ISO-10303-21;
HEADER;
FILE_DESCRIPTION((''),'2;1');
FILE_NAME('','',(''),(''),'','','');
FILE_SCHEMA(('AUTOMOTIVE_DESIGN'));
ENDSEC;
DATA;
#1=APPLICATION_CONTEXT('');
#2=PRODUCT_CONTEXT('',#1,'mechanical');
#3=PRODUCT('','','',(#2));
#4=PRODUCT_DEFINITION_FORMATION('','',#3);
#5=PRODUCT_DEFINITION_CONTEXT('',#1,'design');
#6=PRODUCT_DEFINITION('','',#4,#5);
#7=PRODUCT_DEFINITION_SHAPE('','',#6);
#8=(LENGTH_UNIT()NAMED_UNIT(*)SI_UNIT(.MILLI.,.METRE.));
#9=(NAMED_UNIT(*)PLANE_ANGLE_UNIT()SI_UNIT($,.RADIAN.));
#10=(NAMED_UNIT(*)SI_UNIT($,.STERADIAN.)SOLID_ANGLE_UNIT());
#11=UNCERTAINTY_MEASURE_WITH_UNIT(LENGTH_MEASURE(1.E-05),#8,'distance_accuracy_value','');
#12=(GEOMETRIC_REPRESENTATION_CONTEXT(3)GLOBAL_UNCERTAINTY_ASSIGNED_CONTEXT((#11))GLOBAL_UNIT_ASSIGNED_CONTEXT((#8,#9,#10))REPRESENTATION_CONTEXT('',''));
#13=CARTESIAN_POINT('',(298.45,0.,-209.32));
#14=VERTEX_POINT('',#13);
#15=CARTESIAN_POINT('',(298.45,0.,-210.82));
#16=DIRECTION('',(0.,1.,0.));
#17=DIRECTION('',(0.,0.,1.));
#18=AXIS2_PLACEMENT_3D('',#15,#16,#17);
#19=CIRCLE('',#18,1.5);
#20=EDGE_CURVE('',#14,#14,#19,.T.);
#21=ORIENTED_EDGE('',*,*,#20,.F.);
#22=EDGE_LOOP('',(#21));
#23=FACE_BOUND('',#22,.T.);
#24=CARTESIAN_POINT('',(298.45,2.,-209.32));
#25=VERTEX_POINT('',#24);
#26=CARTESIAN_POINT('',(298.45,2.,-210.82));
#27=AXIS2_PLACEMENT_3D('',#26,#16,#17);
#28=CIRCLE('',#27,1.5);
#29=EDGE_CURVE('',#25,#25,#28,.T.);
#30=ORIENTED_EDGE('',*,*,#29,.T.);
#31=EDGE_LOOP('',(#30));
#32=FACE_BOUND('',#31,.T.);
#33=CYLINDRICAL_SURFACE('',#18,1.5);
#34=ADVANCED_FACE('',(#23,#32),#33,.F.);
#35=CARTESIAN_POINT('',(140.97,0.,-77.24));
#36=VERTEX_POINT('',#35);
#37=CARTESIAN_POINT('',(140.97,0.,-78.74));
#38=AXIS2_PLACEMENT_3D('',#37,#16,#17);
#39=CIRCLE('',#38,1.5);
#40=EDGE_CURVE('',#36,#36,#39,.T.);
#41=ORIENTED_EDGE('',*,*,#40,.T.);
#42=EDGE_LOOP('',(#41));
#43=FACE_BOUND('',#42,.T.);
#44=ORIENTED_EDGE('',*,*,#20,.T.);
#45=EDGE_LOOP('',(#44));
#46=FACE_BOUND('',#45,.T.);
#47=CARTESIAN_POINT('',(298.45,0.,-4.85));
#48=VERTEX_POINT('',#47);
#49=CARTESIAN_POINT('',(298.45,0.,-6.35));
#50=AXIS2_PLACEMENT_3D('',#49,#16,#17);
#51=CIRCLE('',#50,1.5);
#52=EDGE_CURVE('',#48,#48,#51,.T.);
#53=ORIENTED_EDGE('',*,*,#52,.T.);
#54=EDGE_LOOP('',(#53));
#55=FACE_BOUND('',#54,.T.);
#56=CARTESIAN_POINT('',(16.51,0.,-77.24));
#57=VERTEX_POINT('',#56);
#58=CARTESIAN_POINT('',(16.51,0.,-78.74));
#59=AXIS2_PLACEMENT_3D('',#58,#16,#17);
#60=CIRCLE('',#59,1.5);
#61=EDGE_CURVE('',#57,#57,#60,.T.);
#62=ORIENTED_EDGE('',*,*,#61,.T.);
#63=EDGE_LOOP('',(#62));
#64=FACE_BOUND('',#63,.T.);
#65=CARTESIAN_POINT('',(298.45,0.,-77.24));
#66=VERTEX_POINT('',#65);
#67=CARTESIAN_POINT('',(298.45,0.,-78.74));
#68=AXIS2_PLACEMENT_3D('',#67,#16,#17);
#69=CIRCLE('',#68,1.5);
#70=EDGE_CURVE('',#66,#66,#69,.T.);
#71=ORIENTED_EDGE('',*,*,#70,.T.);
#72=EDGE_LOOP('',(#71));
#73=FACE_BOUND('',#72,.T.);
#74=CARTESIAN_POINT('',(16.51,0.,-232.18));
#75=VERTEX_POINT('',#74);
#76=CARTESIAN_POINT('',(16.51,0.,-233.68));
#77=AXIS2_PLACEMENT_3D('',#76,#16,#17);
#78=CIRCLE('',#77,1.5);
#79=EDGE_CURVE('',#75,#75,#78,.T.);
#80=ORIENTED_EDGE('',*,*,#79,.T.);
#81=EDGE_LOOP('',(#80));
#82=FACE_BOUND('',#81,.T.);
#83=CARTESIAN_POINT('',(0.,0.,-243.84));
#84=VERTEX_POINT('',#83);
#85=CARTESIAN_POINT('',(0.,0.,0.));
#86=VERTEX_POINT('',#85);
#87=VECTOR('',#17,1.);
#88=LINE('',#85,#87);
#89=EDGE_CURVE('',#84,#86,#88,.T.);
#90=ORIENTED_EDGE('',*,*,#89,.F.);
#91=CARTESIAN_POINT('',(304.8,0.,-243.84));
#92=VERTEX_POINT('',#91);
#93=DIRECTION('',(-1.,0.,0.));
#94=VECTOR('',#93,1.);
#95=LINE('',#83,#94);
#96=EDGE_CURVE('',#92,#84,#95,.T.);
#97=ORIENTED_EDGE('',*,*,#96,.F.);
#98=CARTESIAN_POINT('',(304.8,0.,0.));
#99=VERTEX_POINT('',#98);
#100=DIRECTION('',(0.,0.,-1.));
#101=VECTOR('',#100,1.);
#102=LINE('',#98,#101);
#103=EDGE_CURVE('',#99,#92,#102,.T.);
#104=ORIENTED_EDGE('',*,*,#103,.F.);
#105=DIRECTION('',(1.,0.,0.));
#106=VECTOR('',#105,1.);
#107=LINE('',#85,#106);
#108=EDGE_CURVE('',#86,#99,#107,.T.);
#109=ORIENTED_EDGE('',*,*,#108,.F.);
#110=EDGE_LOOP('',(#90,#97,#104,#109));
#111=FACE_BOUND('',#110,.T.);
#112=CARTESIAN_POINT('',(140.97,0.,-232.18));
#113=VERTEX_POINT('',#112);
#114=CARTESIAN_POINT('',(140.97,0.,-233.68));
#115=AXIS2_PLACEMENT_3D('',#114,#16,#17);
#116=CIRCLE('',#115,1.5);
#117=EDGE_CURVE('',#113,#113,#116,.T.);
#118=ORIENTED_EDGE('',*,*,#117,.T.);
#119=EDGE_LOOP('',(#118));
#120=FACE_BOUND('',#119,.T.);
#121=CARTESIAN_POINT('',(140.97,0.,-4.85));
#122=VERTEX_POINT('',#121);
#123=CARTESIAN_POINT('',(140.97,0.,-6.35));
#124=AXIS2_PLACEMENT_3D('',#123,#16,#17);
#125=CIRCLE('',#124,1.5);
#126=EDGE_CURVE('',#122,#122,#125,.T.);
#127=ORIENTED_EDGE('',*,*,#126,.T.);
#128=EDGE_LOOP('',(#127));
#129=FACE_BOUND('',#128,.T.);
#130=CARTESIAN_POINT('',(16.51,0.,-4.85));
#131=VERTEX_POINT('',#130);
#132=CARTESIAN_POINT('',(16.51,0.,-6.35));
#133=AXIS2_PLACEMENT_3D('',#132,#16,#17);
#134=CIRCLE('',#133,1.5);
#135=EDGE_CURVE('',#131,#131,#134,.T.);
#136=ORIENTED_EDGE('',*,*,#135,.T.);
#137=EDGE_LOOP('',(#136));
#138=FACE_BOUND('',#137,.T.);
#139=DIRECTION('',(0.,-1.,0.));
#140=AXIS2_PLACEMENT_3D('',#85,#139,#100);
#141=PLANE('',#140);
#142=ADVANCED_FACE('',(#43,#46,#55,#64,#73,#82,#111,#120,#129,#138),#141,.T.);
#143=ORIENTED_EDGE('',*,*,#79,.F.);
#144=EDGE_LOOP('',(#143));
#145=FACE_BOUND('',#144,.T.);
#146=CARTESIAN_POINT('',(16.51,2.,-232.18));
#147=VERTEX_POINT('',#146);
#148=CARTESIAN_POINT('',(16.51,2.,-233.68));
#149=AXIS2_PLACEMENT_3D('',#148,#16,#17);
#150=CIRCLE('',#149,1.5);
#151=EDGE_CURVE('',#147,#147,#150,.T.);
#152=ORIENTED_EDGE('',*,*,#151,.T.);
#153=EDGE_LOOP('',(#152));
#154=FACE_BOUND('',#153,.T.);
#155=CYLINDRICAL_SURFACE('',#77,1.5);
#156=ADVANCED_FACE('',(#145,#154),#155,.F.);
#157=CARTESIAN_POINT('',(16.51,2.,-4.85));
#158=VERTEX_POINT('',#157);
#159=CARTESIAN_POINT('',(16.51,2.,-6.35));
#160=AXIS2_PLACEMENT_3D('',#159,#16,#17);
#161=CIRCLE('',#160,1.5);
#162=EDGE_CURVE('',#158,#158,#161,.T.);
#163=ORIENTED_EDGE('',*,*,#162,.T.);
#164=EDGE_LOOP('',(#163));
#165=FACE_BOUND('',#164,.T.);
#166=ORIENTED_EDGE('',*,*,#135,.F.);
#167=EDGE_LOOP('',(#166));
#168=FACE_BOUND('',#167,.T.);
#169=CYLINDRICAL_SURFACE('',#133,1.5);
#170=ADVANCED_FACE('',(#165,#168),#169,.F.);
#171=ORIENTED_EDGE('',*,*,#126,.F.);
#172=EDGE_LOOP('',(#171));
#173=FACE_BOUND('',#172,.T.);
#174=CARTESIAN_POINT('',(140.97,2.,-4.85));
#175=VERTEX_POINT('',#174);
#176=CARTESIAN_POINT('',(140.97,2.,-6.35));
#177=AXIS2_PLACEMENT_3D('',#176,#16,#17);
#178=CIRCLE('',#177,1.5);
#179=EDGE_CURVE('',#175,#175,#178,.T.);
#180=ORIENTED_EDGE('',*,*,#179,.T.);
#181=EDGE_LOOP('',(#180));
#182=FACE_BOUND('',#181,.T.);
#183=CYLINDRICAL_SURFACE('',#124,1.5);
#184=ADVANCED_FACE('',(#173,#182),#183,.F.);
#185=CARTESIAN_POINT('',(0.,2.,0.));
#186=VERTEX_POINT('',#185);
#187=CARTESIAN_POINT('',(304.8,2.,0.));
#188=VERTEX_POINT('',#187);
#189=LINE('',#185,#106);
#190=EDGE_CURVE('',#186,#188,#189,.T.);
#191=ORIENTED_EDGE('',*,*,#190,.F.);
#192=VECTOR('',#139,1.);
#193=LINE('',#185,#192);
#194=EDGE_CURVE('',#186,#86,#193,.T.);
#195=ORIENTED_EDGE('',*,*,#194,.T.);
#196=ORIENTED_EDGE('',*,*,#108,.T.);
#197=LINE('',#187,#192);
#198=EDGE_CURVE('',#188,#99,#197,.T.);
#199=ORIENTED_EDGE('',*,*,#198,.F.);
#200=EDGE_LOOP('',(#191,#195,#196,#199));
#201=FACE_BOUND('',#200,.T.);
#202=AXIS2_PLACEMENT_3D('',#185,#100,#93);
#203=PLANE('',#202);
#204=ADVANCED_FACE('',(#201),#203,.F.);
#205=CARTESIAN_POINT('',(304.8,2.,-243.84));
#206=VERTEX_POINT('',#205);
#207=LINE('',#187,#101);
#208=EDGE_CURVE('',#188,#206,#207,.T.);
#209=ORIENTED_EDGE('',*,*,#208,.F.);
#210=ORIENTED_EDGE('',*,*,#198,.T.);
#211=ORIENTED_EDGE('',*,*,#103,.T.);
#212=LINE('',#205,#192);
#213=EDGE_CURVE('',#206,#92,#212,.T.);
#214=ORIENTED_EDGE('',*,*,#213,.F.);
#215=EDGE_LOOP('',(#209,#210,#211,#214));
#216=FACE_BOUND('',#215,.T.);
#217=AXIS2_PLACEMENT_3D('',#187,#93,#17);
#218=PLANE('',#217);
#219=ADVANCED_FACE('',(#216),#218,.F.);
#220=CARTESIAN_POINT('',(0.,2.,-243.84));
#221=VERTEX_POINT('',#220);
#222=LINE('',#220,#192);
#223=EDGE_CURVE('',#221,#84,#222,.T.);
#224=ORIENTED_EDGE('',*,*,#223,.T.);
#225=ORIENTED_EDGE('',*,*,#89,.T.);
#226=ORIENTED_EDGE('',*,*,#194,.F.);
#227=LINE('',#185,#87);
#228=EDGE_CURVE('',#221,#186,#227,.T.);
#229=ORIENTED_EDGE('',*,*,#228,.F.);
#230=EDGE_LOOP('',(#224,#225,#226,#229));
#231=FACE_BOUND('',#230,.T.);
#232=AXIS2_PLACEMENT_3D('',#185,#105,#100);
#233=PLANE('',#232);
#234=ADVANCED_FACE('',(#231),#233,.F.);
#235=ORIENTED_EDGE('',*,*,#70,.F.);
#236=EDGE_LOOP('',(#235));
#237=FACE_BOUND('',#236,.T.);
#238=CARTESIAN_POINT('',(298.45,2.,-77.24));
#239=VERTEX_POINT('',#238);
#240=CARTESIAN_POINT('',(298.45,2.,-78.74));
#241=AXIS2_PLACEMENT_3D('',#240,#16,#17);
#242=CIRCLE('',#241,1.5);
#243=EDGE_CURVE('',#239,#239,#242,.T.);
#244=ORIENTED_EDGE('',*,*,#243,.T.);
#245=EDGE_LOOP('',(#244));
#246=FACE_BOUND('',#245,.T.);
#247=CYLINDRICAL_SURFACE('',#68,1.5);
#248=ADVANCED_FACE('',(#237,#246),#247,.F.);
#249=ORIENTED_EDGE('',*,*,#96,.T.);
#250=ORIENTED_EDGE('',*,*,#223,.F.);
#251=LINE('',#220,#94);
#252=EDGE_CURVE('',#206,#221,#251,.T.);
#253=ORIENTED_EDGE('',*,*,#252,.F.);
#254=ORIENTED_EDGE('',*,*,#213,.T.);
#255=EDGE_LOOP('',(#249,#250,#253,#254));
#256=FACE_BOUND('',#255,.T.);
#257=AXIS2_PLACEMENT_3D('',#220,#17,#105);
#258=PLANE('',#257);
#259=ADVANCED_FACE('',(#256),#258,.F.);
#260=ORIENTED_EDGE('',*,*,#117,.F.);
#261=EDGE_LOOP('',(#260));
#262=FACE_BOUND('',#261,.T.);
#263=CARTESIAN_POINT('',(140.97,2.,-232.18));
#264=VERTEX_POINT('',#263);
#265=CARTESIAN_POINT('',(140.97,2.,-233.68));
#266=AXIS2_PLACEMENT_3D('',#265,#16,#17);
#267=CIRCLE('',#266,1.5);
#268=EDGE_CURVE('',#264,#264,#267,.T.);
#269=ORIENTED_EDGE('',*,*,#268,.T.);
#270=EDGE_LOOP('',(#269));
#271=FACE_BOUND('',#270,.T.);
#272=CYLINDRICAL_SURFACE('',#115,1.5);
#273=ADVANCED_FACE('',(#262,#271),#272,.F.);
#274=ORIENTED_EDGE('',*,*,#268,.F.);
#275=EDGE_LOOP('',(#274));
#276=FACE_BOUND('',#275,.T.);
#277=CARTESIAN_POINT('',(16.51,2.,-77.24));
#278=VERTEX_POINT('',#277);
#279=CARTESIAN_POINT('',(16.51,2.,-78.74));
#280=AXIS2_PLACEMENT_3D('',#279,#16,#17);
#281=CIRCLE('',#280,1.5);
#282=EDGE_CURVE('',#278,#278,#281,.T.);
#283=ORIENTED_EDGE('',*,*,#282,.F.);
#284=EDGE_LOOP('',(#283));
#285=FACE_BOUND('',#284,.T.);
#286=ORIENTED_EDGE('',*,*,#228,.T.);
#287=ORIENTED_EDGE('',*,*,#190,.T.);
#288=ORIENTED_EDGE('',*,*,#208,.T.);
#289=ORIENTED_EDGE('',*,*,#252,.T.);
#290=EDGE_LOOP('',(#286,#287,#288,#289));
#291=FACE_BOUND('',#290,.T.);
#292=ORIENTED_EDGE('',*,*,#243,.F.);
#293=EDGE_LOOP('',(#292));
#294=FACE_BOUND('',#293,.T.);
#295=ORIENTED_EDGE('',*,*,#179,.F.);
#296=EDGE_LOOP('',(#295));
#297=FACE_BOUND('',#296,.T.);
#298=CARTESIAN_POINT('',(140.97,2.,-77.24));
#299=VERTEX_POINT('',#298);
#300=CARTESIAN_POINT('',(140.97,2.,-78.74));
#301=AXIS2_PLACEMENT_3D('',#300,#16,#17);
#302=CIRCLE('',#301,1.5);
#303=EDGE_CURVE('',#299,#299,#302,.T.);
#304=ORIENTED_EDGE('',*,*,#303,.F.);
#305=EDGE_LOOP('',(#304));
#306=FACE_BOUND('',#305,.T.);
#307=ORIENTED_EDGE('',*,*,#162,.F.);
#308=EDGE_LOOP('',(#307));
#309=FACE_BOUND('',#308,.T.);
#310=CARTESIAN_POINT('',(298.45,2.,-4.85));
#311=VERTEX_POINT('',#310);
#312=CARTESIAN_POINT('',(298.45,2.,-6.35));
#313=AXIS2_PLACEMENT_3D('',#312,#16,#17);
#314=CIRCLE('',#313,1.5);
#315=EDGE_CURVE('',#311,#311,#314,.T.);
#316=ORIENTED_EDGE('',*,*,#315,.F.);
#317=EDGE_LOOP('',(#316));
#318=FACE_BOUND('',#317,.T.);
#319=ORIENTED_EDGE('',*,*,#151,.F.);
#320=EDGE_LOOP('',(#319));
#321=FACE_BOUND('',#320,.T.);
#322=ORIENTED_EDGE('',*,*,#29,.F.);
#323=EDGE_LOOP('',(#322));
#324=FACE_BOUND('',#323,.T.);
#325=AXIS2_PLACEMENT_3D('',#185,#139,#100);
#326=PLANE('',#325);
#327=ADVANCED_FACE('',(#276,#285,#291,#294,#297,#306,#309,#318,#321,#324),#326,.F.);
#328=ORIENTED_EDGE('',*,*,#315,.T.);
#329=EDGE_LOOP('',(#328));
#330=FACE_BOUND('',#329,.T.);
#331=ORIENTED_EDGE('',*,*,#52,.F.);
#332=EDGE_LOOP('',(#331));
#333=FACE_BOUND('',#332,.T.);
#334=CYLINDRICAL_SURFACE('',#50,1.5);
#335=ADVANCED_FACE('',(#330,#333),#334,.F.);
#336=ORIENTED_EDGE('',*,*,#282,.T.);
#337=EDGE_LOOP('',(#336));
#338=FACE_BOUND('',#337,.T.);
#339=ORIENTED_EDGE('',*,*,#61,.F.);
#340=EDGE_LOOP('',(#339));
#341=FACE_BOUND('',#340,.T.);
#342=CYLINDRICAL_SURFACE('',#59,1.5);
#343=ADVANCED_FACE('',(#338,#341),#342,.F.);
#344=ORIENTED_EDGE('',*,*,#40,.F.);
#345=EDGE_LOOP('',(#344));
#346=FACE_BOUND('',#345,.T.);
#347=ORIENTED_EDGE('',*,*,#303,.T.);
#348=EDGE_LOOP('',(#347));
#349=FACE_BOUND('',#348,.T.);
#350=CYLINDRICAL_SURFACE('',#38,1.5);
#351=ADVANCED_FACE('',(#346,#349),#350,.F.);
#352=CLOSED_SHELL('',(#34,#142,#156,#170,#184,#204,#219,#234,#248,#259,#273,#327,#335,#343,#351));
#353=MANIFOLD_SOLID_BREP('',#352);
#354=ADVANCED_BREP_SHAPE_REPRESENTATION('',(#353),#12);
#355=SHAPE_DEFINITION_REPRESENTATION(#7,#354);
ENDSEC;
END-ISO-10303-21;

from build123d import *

# Parameters (mm, degrees)
SKETCH_1_W          = 304.8
SKETCH_1_H          = 243.84
EXTRUDE_1_DEPTH     = 2
SKETCH_2_R          = 1.5
CUT_EXTRUDE_1_DEPTH = 391.339577291


with BuildPart() as part:
    # Эскиз1 → Бобышка-Вытянуть1 (new body)
    with BuildSketch(Plane(origin=(0, 0, 0), x_dir=(1, 0, 0), z_dir=(0, 1, 0))):
        with Locations((152.4, 121.92)):
            Rectangle(SKETCH_1_W, SKETCH_1_H)
    extrude(amount=EXTRUDE_1_DEPTH)

    # Эскиз2 → Вырез-Вытянуть1 (cut, through all)
    with BuildSketch(Plane(origin=(0, 2, 0), x_dir=(1, 0, 0), z_dir=(0, 1, 0))):
        with Locations(Location((16.51, 6.35, 0), (0, 0, 270))):
            Circle(SKETCH_2_R)
        with Locations(Location((140.97, 6.35, 0), (0, 0, 270))):
            Circle(SKETCH_2_R)
        with Locations(Location((298.45, 6.35, 0), (0, 0, 270))):
            Circle(SKETCH_2_R)
        with Locations(Location((298.45, 78.74, 0), (0, 0, 270))):
            Circle(SKETCH_2_R)
        with Locations(Location((140.97, 78.74, 0), (0, 0, 270))):
            Circle(SKETCH_2_R)
        with Locations(Location((16.51, 78.74, 0), (0, 0, 270))):
            Circle(SKETCH_2_R)
        with Locations(Location((16.51, 233.68, 0), (0, 0, 270))):
            Circle(SKETCH_2_R)
        with Locations(Location((140.97, 233.68, 0), (0, 0, 270))):
            Circle(SKETCH_2_R)
        with Locations(Location((298.45, 210.82, 0), (0, 0, 270))):
            Circle(SKETCH_2_R)
    extrude(amount=-CUT_EXTRUDE_1_DEPTH, mode=Mode.SUBTRACT)


solid = part.part
